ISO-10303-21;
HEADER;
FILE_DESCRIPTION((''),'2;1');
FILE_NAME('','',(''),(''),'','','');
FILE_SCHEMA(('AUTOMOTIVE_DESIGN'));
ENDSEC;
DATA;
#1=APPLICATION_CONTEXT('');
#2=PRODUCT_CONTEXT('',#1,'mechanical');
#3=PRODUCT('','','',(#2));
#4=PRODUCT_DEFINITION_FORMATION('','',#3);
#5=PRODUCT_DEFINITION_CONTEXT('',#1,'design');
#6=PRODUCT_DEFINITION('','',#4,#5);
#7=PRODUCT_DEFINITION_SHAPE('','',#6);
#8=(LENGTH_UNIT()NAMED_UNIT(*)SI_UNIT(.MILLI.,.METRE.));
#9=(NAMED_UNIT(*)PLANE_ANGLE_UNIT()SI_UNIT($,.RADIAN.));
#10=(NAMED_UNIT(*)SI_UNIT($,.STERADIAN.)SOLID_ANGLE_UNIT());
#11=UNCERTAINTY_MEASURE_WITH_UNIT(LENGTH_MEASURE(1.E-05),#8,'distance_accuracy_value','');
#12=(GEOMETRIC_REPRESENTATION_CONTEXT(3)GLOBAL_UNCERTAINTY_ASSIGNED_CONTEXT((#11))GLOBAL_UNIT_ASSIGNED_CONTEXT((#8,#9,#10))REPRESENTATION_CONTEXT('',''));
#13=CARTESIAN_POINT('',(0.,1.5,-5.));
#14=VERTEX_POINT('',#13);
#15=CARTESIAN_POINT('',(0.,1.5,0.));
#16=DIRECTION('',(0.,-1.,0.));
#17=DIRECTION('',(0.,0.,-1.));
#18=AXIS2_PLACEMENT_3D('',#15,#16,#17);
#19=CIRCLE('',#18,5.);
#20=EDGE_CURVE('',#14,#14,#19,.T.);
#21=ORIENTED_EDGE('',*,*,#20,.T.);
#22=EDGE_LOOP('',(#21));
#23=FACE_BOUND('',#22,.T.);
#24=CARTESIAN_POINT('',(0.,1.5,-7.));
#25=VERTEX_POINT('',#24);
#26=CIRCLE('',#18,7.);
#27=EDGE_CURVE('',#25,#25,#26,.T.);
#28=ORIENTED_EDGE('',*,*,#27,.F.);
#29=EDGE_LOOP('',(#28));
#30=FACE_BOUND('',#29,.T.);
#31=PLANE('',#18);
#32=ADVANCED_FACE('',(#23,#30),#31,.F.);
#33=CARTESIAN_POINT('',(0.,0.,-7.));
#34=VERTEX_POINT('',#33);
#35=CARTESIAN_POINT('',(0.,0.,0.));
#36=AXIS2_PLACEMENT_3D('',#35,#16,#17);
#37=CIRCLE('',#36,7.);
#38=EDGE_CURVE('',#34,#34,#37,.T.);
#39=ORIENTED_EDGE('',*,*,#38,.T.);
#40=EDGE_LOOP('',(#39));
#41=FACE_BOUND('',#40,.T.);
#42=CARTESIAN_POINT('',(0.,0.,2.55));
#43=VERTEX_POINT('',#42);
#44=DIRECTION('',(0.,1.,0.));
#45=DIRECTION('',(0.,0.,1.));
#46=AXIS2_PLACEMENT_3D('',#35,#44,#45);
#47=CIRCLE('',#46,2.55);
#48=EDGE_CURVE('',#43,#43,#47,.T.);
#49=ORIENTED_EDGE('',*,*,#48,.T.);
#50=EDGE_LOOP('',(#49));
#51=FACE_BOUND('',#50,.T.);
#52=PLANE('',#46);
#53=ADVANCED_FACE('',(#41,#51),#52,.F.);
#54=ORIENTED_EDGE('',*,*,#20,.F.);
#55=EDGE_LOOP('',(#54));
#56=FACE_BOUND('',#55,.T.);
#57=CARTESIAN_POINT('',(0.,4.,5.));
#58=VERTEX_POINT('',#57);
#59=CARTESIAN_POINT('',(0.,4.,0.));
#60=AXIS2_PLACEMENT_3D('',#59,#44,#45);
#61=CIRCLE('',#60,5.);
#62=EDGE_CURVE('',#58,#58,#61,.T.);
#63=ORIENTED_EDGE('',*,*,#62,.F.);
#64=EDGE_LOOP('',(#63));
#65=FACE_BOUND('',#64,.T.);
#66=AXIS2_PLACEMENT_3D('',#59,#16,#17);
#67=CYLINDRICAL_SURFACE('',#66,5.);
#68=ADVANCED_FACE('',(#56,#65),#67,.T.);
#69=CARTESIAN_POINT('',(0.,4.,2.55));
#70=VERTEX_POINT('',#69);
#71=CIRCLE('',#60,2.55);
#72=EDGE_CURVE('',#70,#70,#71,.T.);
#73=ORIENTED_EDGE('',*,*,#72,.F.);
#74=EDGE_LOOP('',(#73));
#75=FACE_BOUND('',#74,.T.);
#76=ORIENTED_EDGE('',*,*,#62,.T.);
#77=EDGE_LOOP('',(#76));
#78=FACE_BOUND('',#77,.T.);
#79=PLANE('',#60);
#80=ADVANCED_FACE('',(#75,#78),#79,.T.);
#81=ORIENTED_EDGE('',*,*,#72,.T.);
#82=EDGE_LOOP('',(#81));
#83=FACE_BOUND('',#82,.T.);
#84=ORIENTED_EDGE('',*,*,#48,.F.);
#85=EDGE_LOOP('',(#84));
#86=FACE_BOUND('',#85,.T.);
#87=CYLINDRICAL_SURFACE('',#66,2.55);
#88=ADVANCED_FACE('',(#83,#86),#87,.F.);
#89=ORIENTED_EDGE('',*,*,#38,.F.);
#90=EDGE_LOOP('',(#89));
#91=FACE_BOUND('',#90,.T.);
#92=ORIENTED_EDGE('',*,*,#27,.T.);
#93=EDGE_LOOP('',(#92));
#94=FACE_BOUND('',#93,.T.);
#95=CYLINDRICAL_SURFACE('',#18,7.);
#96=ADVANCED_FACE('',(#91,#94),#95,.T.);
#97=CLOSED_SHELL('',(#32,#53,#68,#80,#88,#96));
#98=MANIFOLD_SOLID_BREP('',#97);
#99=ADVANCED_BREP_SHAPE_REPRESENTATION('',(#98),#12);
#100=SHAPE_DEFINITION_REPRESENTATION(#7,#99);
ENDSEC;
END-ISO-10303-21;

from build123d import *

# Parameters (mm, degrees)
SKETCH1_R           = 5
SKETCH1_R_2         = 2.55
BOSS_EXTRUDE1_DEPTH = 4
SKETCH2_R           = 7
SKETCH2_R_2         = 5
BOSS_EXTRUDE2_DEPTH = 1.5


with BuildPart() as part:
    # Sketch1 → Boss-Extrude1 (new body)
    with BuildSketch(Plane(origin=(0, 0, 0), x_dir=(1, 0, 0), z_dir=(0, 1, 0))):
        with Locations(Location((0, 0, 0), (0, 0, 270))):
            Circle(SKETCH1_R)
        with Locations(Location((0, 0, 0), (0, 0, 270))):
            Circle(SKETCH1_R_2, mode=Mode.SUBTRACT)
    extrude(amount=BOSS_EXTRUDE1_DEPTH)

    # Sketch2 → Boss-Extrude2 (add)
    with BuildSketch(Plane(origin=(0, 0, 0), x_dir=(-1, 0, 0), z_dir=(0, -1, 0))):
        with Locations(Location((0, 0, 0), (0, 0, 90))):
            Circle(SKETCH2_R)
        with Locations(Location((0, 0, 0), (0, 0, 90))):
            Circle(SKETCH2_R_2, mode=Mode.SUBTRACT)
    extrude(amount=-BOSS_EXTRUDE2_DEPTH)


solid = part.part
